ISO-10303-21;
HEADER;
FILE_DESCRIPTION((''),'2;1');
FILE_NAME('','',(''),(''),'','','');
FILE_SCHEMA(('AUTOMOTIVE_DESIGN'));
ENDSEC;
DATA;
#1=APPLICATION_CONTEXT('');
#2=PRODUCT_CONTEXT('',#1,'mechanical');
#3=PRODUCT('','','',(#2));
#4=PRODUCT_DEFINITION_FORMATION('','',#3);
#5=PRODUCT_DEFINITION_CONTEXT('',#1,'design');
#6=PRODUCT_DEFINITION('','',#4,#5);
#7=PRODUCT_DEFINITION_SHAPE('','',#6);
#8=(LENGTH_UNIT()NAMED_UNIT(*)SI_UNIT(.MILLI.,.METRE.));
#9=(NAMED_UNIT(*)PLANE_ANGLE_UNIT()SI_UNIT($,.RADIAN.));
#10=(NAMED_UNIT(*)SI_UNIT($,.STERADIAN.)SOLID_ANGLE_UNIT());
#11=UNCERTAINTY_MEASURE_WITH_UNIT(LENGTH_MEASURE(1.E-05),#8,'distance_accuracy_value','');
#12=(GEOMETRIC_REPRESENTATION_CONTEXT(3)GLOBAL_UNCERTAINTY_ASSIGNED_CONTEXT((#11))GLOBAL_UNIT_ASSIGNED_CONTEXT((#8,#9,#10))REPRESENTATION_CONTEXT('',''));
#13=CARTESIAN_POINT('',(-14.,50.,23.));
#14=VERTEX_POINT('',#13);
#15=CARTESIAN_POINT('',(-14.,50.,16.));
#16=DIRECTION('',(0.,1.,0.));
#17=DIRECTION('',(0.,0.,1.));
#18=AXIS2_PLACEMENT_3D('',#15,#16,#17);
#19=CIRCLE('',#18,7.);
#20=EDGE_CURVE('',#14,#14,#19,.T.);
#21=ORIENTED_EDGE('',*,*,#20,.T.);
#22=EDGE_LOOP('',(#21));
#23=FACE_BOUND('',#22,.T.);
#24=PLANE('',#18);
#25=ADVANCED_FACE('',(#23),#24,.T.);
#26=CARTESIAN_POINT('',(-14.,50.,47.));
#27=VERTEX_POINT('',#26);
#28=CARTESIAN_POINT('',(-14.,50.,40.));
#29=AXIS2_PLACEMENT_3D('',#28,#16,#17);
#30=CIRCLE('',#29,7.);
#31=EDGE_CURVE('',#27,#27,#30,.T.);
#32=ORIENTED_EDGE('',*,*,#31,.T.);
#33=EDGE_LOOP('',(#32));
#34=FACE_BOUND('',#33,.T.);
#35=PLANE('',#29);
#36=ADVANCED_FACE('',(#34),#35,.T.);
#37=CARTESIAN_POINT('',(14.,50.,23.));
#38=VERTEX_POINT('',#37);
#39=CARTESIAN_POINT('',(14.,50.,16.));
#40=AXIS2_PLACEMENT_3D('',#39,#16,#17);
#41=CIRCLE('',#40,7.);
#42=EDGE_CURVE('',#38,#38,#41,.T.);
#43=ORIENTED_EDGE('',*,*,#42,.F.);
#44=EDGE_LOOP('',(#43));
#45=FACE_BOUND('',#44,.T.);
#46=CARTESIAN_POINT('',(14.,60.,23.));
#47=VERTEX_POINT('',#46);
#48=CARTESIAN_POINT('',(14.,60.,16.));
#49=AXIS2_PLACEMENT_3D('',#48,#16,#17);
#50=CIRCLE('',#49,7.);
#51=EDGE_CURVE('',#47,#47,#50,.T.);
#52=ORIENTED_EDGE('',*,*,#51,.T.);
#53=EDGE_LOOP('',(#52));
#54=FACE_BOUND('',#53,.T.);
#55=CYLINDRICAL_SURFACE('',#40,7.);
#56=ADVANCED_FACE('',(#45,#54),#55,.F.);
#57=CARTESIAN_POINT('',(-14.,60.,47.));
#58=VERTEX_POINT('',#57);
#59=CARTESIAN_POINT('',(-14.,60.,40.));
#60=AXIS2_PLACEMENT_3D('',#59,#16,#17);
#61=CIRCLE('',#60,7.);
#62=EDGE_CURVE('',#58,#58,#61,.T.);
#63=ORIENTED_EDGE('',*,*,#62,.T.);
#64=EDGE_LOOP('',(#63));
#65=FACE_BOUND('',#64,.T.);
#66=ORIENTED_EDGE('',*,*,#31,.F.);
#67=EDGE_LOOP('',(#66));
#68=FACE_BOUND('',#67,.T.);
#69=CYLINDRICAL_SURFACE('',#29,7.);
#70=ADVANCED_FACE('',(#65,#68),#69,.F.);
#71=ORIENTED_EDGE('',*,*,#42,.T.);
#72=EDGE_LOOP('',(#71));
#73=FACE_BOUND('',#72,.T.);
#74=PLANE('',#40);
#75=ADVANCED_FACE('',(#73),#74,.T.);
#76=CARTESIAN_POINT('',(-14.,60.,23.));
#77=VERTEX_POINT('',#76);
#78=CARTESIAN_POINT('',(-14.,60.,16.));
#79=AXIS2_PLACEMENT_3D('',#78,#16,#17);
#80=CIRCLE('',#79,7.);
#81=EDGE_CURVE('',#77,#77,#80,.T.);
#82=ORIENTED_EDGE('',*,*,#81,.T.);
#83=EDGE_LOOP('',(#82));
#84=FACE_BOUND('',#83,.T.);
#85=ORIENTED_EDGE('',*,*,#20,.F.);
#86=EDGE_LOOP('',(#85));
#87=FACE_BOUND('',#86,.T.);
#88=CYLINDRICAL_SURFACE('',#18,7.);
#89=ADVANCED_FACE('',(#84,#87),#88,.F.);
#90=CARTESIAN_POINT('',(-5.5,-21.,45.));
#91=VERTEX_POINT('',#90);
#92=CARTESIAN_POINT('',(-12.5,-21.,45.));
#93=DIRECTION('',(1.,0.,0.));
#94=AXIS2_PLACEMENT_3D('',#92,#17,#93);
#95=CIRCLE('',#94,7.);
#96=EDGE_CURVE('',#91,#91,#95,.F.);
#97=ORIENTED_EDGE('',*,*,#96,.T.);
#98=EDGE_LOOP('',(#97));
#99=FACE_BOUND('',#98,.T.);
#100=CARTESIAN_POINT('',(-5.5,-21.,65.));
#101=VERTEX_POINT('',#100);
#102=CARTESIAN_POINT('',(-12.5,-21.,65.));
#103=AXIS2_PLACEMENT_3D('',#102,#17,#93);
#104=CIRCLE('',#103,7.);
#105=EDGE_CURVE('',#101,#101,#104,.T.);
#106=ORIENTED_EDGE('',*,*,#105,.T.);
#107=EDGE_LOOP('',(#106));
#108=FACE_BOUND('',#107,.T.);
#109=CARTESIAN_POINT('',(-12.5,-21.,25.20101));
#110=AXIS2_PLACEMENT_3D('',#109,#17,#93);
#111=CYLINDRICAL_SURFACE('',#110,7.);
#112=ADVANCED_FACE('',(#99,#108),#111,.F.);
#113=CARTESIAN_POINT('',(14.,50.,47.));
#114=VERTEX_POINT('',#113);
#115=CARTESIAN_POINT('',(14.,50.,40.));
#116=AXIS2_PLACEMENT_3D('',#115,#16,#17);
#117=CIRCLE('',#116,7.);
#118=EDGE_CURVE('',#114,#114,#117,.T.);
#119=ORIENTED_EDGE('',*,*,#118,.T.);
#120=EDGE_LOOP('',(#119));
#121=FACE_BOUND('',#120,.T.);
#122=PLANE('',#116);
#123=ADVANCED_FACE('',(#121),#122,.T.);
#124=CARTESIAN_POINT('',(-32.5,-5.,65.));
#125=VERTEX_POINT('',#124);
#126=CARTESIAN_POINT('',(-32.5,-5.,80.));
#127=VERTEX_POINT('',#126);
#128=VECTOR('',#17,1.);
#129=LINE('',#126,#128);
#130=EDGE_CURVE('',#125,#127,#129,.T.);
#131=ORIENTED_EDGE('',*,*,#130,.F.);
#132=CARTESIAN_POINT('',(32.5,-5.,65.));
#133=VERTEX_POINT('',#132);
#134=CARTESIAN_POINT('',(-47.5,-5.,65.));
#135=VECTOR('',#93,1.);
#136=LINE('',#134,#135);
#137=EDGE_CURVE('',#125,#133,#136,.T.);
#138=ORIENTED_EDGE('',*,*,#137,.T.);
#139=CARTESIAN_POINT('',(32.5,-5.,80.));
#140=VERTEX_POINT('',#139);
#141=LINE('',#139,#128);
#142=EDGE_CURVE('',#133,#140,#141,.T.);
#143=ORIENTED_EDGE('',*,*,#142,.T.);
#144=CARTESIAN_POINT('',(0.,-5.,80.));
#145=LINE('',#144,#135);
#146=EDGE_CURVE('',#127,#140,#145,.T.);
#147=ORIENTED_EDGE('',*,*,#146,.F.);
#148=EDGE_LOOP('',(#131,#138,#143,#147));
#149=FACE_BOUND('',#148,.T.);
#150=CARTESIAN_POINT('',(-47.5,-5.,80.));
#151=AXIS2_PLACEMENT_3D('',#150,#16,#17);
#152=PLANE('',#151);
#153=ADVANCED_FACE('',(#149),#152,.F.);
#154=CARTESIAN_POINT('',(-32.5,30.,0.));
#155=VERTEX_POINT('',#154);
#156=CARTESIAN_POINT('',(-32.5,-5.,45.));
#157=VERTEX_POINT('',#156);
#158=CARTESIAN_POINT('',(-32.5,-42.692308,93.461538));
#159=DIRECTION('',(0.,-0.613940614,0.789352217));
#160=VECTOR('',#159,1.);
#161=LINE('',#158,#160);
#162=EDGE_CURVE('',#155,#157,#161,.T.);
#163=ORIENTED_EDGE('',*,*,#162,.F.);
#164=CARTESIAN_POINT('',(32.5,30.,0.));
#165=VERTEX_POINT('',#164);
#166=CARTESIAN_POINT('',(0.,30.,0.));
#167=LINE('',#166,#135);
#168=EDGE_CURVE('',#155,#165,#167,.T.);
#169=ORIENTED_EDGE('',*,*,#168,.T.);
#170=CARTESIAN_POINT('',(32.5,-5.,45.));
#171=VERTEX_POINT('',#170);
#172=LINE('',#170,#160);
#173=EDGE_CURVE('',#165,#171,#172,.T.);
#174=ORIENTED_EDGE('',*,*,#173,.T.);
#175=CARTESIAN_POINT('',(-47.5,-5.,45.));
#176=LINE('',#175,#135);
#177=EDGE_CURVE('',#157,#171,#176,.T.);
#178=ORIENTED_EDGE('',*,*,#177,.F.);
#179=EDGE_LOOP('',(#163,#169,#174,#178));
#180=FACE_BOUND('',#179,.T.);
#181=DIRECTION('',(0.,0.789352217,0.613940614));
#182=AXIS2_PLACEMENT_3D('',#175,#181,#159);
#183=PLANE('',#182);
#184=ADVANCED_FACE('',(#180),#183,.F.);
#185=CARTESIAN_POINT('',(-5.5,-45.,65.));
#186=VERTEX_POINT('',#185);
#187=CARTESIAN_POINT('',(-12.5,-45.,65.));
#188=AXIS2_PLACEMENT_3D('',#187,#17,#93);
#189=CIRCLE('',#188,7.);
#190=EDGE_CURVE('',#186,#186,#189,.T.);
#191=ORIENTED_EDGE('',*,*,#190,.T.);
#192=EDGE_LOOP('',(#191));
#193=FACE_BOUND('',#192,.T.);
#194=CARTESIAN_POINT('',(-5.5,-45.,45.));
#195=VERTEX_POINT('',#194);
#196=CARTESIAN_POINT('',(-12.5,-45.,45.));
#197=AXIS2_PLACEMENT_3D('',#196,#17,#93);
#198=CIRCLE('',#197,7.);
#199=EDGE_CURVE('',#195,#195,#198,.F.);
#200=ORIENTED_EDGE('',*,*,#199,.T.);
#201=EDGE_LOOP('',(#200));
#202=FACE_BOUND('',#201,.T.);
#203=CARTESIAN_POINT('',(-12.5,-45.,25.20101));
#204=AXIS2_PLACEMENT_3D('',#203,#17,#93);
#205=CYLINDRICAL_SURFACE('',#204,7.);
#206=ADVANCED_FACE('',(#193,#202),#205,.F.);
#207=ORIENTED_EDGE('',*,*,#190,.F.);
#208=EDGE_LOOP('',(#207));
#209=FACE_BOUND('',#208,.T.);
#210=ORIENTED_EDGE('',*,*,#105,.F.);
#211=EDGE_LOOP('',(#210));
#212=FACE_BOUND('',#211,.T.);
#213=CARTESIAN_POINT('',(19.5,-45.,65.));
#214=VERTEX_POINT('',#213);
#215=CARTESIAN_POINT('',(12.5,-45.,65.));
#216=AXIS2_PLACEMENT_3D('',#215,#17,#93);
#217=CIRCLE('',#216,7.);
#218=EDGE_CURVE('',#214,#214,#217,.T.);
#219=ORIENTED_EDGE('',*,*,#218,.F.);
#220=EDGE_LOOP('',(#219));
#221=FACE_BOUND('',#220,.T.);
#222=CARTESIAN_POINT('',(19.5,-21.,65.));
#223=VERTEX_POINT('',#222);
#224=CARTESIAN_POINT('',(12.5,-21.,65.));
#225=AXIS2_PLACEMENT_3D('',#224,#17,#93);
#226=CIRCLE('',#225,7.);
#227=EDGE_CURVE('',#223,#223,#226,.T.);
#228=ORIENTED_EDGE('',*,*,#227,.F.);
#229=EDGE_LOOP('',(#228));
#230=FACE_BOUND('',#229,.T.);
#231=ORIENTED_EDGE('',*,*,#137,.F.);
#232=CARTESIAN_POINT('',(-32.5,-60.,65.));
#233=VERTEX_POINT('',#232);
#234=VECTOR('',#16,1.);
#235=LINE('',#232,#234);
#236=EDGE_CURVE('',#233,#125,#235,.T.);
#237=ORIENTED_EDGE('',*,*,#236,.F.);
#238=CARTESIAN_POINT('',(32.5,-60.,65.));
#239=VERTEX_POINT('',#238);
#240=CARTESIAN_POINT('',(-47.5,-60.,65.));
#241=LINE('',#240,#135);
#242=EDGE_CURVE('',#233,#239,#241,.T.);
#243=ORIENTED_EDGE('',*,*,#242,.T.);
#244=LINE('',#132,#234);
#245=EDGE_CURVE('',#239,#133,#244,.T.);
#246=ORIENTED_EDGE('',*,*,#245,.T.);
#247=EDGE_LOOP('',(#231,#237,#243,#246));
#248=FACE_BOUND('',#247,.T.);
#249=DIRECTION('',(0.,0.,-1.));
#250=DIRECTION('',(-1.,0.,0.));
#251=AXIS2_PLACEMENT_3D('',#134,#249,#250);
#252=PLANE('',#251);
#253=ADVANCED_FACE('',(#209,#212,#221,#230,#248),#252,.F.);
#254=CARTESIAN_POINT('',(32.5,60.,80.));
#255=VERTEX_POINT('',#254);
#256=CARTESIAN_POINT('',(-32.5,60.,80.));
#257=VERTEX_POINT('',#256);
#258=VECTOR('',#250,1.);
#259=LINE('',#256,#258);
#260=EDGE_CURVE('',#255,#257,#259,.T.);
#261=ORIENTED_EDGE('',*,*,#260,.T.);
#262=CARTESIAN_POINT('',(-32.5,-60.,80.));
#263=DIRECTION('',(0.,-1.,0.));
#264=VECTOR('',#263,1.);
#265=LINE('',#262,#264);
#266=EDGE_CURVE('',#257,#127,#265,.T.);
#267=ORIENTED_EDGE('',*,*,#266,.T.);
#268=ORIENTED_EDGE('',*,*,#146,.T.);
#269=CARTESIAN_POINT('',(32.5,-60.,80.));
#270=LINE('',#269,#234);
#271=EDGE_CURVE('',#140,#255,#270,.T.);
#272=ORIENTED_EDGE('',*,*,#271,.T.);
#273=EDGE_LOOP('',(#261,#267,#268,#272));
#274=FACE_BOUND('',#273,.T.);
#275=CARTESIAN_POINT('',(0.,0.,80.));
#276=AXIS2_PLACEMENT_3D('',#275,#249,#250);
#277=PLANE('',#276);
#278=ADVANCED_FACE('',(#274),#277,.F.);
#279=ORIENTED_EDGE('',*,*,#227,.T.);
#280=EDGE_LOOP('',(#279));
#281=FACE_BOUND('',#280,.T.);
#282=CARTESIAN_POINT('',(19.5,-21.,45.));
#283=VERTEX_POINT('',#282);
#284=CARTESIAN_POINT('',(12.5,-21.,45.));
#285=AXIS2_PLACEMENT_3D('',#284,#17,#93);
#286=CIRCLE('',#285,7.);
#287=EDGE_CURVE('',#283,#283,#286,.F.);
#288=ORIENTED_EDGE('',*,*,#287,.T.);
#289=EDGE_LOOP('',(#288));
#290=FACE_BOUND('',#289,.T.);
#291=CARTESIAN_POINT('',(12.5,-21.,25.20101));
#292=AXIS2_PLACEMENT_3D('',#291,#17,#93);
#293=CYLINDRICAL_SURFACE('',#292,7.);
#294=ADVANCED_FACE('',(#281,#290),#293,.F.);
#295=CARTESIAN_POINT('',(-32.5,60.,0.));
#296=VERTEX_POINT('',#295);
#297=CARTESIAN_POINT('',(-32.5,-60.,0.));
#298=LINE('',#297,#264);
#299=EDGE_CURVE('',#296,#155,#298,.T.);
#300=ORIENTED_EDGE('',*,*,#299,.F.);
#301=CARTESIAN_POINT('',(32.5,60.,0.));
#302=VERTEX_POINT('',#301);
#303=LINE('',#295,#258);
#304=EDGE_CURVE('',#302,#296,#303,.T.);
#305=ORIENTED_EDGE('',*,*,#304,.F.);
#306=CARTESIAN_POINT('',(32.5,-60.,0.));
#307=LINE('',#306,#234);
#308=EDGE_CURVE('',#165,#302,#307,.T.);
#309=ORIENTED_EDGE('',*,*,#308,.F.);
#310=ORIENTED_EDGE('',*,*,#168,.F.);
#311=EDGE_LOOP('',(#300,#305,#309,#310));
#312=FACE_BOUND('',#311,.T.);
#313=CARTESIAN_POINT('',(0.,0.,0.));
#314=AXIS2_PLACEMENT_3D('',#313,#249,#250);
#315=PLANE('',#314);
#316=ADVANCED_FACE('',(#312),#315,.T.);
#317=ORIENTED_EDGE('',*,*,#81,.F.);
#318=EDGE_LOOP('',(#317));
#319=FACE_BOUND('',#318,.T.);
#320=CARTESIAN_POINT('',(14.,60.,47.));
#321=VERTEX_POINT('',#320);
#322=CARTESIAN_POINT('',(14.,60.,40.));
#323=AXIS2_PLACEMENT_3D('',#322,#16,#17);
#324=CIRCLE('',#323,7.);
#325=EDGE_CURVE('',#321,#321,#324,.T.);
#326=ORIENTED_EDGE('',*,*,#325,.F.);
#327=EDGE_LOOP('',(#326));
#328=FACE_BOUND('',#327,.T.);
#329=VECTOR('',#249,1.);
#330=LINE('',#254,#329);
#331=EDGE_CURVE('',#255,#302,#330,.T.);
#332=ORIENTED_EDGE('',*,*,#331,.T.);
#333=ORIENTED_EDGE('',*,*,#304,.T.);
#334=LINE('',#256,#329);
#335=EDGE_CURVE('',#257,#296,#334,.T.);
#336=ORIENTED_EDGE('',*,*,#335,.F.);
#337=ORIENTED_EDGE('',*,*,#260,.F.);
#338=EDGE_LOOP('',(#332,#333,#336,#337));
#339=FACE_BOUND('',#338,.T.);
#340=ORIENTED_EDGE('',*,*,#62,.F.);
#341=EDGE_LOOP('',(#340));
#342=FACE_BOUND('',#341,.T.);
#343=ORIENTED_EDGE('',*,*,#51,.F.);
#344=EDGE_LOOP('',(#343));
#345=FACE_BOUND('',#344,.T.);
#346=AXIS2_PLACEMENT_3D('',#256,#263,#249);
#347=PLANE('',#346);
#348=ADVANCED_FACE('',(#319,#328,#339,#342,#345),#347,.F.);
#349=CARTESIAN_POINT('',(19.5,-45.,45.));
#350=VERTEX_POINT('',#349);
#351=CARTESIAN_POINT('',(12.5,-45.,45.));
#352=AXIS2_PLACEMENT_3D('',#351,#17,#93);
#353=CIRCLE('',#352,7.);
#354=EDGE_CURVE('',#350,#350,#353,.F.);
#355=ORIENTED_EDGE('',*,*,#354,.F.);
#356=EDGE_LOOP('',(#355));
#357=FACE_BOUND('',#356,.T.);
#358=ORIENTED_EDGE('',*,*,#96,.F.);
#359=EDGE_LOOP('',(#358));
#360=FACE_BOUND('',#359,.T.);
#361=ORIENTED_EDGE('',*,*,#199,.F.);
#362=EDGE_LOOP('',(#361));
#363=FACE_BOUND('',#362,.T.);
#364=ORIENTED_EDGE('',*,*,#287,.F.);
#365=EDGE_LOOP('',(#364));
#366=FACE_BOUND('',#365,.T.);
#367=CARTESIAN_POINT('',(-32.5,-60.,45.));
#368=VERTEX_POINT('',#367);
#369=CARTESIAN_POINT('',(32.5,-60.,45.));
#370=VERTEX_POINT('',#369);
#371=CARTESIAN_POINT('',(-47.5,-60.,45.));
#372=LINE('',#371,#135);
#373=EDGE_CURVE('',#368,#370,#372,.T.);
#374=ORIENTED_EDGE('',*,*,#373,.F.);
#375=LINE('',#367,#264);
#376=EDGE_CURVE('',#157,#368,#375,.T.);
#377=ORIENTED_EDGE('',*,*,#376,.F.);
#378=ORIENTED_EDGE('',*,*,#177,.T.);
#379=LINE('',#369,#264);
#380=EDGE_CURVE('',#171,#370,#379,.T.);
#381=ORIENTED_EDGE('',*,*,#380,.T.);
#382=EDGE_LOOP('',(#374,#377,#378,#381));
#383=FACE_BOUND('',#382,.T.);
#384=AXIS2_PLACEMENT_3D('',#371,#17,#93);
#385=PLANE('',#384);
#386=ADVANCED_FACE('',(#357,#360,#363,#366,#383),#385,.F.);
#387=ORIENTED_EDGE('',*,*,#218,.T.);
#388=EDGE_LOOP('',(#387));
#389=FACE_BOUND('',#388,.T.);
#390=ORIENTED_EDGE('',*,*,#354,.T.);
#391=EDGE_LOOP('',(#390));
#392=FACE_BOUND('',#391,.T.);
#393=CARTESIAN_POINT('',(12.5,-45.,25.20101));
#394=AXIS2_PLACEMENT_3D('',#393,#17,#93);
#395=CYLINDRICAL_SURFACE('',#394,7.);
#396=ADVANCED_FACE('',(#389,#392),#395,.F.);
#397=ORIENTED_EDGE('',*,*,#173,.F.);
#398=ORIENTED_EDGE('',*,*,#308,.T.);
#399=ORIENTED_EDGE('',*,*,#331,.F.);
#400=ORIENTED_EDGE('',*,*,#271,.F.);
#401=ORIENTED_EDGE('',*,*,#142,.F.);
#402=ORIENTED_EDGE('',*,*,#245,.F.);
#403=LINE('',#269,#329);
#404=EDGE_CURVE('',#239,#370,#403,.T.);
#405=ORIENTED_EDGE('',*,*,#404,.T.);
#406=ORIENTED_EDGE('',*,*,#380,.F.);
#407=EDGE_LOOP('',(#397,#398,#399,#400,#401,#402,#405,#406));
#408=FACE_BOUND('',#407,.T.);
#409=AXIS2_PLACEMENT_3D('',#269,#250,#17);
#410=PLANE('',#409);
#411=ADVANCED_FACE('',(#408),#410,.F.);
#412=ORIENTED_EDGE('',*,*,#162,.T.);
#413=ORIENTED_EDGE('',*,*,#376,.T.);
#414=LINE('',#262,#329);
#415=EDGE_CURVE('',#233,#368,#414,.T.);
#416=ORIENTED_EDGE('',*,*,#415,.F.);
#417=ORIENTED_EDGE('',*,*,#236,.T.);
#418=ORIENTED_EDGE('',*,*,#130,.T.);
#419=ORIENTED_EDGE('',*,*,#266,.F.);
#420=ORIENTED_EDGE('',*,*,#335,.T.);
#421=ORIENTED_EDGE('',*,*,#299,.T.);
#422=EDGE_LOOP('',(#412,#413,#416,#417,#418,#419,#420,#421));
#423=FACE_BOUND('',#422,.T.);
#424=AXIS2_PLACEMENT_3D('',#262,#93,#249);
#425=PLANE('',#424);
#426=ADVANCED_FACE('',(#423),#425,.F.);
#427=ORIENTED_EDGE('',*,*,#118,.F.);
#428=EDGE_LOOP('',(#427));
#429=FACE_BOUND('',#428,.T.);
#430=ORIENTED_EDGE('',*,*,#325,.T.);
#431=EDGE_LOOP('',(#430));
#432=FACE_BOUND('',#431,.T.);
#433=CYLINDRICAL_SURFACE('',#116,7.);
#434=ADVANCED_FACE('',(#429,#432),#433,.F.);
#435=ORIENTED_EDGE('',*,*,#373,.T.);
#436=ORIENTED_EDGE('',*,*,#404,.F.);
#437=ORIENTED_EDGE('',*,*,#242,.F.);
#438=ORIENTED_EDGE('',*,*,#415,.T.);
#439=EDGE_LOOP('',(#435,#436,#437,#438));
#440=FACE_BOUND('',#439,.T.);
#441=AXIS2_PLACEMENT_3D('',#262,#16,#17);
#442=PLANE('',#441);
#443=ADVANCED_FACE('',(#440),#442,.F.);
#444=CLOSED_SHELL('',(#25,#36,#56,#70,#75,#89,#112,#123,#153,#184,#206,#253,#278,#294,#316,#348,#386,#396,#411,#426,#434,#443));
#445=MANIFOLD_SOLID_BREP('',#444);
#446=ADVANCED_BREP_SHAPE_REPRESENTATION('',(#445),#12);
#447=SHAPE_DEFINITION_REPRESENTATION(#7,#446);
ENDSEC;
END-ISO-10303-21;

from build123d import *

# Parameters (mm, degrees)
CROQUIS1_W              = 65
CROQUIS1_H              = 120
SALIENTE_EXTRUIR1_DEPTH = 80
CROQUIS2_W              = 15
CROQUIS2_H              = 55
CORTAR_EXTRUIR1_DEPTH   = 80
CROQUIS3_R              = 7
CORTAR_EXTRUIR2_DEPTH   = 20
CROQUIS4_R              = 7
CORTAR_EXTRUIR3_DEPTH   = 10


with BuildPart() as part:
    # Croquis1 → Saliente-Extruir1 (new body)
    with BuildSketch(Plane.XY):
        Rectangle(CROQUIS1_W, CROQUIS1_H)
    extrude(amount=SALIENTE_EXTRUIR1_DEPTH)

    # Croquis2 → Cortar-Extruir1 (cut)
    with BuildSketch(Plane(origin=(32.5, 0, 0), x_dir=(0, 0, -1), z_dir=(1, 0, 0))):
        with Locations((-72.5, -32.5)):
            Rectangle(CROQUIS2_W, CROQUIS2_H)
        Polygon((-45, -60), (-45, -5), (0, 30), (0, -60), align=None)
    extrude(amount=-CORTAR_EXTRUIR1_DEPTH, mode=Mode.SUBTRACT)

    # Croquis3 → Cortar-Extruir2 (cut)
    with BuildSketch(Plane.XY.offset(65)):
        with Locations((-12.5, -21)):
            Circle(CROQUIS3_R)
        with Locations((-12.5, -45)):
            Circle(CROQUIS3_R)
        with Locations((12.5, -21)):
            Circle(CROQUIS3_R)
        with Locations((12.5, -45)):
            Circle(CROQUIS3_R)
    extrude(amount=-CORTAR_EXTRUIR2_DEPTH, mode=Mode.SUBTRACT)

    # Croquis4 → Cortar-Extruir3 (cut)
    with BuildSketch(Plane(origin=(0, 60, 0), x_dir=(1, 0, 0), z_dir=(0, 1, 0))):
        with Locations((14, -16)):
            Circle(CROQUIS4_R)
        with Locations((-14, -16)):
            Circle(CROQUIS4_R)
        with Locations((14, -40)):
            Circle(CROQUIS4_R)
        with Locations((-14, -40)):
            Circle(CROQUIS4_R)
    extrude(amount=-CORTAR_EXTRUIR3_DEPTH, mode=Mode.SUBTRACT)


solid = part.part
